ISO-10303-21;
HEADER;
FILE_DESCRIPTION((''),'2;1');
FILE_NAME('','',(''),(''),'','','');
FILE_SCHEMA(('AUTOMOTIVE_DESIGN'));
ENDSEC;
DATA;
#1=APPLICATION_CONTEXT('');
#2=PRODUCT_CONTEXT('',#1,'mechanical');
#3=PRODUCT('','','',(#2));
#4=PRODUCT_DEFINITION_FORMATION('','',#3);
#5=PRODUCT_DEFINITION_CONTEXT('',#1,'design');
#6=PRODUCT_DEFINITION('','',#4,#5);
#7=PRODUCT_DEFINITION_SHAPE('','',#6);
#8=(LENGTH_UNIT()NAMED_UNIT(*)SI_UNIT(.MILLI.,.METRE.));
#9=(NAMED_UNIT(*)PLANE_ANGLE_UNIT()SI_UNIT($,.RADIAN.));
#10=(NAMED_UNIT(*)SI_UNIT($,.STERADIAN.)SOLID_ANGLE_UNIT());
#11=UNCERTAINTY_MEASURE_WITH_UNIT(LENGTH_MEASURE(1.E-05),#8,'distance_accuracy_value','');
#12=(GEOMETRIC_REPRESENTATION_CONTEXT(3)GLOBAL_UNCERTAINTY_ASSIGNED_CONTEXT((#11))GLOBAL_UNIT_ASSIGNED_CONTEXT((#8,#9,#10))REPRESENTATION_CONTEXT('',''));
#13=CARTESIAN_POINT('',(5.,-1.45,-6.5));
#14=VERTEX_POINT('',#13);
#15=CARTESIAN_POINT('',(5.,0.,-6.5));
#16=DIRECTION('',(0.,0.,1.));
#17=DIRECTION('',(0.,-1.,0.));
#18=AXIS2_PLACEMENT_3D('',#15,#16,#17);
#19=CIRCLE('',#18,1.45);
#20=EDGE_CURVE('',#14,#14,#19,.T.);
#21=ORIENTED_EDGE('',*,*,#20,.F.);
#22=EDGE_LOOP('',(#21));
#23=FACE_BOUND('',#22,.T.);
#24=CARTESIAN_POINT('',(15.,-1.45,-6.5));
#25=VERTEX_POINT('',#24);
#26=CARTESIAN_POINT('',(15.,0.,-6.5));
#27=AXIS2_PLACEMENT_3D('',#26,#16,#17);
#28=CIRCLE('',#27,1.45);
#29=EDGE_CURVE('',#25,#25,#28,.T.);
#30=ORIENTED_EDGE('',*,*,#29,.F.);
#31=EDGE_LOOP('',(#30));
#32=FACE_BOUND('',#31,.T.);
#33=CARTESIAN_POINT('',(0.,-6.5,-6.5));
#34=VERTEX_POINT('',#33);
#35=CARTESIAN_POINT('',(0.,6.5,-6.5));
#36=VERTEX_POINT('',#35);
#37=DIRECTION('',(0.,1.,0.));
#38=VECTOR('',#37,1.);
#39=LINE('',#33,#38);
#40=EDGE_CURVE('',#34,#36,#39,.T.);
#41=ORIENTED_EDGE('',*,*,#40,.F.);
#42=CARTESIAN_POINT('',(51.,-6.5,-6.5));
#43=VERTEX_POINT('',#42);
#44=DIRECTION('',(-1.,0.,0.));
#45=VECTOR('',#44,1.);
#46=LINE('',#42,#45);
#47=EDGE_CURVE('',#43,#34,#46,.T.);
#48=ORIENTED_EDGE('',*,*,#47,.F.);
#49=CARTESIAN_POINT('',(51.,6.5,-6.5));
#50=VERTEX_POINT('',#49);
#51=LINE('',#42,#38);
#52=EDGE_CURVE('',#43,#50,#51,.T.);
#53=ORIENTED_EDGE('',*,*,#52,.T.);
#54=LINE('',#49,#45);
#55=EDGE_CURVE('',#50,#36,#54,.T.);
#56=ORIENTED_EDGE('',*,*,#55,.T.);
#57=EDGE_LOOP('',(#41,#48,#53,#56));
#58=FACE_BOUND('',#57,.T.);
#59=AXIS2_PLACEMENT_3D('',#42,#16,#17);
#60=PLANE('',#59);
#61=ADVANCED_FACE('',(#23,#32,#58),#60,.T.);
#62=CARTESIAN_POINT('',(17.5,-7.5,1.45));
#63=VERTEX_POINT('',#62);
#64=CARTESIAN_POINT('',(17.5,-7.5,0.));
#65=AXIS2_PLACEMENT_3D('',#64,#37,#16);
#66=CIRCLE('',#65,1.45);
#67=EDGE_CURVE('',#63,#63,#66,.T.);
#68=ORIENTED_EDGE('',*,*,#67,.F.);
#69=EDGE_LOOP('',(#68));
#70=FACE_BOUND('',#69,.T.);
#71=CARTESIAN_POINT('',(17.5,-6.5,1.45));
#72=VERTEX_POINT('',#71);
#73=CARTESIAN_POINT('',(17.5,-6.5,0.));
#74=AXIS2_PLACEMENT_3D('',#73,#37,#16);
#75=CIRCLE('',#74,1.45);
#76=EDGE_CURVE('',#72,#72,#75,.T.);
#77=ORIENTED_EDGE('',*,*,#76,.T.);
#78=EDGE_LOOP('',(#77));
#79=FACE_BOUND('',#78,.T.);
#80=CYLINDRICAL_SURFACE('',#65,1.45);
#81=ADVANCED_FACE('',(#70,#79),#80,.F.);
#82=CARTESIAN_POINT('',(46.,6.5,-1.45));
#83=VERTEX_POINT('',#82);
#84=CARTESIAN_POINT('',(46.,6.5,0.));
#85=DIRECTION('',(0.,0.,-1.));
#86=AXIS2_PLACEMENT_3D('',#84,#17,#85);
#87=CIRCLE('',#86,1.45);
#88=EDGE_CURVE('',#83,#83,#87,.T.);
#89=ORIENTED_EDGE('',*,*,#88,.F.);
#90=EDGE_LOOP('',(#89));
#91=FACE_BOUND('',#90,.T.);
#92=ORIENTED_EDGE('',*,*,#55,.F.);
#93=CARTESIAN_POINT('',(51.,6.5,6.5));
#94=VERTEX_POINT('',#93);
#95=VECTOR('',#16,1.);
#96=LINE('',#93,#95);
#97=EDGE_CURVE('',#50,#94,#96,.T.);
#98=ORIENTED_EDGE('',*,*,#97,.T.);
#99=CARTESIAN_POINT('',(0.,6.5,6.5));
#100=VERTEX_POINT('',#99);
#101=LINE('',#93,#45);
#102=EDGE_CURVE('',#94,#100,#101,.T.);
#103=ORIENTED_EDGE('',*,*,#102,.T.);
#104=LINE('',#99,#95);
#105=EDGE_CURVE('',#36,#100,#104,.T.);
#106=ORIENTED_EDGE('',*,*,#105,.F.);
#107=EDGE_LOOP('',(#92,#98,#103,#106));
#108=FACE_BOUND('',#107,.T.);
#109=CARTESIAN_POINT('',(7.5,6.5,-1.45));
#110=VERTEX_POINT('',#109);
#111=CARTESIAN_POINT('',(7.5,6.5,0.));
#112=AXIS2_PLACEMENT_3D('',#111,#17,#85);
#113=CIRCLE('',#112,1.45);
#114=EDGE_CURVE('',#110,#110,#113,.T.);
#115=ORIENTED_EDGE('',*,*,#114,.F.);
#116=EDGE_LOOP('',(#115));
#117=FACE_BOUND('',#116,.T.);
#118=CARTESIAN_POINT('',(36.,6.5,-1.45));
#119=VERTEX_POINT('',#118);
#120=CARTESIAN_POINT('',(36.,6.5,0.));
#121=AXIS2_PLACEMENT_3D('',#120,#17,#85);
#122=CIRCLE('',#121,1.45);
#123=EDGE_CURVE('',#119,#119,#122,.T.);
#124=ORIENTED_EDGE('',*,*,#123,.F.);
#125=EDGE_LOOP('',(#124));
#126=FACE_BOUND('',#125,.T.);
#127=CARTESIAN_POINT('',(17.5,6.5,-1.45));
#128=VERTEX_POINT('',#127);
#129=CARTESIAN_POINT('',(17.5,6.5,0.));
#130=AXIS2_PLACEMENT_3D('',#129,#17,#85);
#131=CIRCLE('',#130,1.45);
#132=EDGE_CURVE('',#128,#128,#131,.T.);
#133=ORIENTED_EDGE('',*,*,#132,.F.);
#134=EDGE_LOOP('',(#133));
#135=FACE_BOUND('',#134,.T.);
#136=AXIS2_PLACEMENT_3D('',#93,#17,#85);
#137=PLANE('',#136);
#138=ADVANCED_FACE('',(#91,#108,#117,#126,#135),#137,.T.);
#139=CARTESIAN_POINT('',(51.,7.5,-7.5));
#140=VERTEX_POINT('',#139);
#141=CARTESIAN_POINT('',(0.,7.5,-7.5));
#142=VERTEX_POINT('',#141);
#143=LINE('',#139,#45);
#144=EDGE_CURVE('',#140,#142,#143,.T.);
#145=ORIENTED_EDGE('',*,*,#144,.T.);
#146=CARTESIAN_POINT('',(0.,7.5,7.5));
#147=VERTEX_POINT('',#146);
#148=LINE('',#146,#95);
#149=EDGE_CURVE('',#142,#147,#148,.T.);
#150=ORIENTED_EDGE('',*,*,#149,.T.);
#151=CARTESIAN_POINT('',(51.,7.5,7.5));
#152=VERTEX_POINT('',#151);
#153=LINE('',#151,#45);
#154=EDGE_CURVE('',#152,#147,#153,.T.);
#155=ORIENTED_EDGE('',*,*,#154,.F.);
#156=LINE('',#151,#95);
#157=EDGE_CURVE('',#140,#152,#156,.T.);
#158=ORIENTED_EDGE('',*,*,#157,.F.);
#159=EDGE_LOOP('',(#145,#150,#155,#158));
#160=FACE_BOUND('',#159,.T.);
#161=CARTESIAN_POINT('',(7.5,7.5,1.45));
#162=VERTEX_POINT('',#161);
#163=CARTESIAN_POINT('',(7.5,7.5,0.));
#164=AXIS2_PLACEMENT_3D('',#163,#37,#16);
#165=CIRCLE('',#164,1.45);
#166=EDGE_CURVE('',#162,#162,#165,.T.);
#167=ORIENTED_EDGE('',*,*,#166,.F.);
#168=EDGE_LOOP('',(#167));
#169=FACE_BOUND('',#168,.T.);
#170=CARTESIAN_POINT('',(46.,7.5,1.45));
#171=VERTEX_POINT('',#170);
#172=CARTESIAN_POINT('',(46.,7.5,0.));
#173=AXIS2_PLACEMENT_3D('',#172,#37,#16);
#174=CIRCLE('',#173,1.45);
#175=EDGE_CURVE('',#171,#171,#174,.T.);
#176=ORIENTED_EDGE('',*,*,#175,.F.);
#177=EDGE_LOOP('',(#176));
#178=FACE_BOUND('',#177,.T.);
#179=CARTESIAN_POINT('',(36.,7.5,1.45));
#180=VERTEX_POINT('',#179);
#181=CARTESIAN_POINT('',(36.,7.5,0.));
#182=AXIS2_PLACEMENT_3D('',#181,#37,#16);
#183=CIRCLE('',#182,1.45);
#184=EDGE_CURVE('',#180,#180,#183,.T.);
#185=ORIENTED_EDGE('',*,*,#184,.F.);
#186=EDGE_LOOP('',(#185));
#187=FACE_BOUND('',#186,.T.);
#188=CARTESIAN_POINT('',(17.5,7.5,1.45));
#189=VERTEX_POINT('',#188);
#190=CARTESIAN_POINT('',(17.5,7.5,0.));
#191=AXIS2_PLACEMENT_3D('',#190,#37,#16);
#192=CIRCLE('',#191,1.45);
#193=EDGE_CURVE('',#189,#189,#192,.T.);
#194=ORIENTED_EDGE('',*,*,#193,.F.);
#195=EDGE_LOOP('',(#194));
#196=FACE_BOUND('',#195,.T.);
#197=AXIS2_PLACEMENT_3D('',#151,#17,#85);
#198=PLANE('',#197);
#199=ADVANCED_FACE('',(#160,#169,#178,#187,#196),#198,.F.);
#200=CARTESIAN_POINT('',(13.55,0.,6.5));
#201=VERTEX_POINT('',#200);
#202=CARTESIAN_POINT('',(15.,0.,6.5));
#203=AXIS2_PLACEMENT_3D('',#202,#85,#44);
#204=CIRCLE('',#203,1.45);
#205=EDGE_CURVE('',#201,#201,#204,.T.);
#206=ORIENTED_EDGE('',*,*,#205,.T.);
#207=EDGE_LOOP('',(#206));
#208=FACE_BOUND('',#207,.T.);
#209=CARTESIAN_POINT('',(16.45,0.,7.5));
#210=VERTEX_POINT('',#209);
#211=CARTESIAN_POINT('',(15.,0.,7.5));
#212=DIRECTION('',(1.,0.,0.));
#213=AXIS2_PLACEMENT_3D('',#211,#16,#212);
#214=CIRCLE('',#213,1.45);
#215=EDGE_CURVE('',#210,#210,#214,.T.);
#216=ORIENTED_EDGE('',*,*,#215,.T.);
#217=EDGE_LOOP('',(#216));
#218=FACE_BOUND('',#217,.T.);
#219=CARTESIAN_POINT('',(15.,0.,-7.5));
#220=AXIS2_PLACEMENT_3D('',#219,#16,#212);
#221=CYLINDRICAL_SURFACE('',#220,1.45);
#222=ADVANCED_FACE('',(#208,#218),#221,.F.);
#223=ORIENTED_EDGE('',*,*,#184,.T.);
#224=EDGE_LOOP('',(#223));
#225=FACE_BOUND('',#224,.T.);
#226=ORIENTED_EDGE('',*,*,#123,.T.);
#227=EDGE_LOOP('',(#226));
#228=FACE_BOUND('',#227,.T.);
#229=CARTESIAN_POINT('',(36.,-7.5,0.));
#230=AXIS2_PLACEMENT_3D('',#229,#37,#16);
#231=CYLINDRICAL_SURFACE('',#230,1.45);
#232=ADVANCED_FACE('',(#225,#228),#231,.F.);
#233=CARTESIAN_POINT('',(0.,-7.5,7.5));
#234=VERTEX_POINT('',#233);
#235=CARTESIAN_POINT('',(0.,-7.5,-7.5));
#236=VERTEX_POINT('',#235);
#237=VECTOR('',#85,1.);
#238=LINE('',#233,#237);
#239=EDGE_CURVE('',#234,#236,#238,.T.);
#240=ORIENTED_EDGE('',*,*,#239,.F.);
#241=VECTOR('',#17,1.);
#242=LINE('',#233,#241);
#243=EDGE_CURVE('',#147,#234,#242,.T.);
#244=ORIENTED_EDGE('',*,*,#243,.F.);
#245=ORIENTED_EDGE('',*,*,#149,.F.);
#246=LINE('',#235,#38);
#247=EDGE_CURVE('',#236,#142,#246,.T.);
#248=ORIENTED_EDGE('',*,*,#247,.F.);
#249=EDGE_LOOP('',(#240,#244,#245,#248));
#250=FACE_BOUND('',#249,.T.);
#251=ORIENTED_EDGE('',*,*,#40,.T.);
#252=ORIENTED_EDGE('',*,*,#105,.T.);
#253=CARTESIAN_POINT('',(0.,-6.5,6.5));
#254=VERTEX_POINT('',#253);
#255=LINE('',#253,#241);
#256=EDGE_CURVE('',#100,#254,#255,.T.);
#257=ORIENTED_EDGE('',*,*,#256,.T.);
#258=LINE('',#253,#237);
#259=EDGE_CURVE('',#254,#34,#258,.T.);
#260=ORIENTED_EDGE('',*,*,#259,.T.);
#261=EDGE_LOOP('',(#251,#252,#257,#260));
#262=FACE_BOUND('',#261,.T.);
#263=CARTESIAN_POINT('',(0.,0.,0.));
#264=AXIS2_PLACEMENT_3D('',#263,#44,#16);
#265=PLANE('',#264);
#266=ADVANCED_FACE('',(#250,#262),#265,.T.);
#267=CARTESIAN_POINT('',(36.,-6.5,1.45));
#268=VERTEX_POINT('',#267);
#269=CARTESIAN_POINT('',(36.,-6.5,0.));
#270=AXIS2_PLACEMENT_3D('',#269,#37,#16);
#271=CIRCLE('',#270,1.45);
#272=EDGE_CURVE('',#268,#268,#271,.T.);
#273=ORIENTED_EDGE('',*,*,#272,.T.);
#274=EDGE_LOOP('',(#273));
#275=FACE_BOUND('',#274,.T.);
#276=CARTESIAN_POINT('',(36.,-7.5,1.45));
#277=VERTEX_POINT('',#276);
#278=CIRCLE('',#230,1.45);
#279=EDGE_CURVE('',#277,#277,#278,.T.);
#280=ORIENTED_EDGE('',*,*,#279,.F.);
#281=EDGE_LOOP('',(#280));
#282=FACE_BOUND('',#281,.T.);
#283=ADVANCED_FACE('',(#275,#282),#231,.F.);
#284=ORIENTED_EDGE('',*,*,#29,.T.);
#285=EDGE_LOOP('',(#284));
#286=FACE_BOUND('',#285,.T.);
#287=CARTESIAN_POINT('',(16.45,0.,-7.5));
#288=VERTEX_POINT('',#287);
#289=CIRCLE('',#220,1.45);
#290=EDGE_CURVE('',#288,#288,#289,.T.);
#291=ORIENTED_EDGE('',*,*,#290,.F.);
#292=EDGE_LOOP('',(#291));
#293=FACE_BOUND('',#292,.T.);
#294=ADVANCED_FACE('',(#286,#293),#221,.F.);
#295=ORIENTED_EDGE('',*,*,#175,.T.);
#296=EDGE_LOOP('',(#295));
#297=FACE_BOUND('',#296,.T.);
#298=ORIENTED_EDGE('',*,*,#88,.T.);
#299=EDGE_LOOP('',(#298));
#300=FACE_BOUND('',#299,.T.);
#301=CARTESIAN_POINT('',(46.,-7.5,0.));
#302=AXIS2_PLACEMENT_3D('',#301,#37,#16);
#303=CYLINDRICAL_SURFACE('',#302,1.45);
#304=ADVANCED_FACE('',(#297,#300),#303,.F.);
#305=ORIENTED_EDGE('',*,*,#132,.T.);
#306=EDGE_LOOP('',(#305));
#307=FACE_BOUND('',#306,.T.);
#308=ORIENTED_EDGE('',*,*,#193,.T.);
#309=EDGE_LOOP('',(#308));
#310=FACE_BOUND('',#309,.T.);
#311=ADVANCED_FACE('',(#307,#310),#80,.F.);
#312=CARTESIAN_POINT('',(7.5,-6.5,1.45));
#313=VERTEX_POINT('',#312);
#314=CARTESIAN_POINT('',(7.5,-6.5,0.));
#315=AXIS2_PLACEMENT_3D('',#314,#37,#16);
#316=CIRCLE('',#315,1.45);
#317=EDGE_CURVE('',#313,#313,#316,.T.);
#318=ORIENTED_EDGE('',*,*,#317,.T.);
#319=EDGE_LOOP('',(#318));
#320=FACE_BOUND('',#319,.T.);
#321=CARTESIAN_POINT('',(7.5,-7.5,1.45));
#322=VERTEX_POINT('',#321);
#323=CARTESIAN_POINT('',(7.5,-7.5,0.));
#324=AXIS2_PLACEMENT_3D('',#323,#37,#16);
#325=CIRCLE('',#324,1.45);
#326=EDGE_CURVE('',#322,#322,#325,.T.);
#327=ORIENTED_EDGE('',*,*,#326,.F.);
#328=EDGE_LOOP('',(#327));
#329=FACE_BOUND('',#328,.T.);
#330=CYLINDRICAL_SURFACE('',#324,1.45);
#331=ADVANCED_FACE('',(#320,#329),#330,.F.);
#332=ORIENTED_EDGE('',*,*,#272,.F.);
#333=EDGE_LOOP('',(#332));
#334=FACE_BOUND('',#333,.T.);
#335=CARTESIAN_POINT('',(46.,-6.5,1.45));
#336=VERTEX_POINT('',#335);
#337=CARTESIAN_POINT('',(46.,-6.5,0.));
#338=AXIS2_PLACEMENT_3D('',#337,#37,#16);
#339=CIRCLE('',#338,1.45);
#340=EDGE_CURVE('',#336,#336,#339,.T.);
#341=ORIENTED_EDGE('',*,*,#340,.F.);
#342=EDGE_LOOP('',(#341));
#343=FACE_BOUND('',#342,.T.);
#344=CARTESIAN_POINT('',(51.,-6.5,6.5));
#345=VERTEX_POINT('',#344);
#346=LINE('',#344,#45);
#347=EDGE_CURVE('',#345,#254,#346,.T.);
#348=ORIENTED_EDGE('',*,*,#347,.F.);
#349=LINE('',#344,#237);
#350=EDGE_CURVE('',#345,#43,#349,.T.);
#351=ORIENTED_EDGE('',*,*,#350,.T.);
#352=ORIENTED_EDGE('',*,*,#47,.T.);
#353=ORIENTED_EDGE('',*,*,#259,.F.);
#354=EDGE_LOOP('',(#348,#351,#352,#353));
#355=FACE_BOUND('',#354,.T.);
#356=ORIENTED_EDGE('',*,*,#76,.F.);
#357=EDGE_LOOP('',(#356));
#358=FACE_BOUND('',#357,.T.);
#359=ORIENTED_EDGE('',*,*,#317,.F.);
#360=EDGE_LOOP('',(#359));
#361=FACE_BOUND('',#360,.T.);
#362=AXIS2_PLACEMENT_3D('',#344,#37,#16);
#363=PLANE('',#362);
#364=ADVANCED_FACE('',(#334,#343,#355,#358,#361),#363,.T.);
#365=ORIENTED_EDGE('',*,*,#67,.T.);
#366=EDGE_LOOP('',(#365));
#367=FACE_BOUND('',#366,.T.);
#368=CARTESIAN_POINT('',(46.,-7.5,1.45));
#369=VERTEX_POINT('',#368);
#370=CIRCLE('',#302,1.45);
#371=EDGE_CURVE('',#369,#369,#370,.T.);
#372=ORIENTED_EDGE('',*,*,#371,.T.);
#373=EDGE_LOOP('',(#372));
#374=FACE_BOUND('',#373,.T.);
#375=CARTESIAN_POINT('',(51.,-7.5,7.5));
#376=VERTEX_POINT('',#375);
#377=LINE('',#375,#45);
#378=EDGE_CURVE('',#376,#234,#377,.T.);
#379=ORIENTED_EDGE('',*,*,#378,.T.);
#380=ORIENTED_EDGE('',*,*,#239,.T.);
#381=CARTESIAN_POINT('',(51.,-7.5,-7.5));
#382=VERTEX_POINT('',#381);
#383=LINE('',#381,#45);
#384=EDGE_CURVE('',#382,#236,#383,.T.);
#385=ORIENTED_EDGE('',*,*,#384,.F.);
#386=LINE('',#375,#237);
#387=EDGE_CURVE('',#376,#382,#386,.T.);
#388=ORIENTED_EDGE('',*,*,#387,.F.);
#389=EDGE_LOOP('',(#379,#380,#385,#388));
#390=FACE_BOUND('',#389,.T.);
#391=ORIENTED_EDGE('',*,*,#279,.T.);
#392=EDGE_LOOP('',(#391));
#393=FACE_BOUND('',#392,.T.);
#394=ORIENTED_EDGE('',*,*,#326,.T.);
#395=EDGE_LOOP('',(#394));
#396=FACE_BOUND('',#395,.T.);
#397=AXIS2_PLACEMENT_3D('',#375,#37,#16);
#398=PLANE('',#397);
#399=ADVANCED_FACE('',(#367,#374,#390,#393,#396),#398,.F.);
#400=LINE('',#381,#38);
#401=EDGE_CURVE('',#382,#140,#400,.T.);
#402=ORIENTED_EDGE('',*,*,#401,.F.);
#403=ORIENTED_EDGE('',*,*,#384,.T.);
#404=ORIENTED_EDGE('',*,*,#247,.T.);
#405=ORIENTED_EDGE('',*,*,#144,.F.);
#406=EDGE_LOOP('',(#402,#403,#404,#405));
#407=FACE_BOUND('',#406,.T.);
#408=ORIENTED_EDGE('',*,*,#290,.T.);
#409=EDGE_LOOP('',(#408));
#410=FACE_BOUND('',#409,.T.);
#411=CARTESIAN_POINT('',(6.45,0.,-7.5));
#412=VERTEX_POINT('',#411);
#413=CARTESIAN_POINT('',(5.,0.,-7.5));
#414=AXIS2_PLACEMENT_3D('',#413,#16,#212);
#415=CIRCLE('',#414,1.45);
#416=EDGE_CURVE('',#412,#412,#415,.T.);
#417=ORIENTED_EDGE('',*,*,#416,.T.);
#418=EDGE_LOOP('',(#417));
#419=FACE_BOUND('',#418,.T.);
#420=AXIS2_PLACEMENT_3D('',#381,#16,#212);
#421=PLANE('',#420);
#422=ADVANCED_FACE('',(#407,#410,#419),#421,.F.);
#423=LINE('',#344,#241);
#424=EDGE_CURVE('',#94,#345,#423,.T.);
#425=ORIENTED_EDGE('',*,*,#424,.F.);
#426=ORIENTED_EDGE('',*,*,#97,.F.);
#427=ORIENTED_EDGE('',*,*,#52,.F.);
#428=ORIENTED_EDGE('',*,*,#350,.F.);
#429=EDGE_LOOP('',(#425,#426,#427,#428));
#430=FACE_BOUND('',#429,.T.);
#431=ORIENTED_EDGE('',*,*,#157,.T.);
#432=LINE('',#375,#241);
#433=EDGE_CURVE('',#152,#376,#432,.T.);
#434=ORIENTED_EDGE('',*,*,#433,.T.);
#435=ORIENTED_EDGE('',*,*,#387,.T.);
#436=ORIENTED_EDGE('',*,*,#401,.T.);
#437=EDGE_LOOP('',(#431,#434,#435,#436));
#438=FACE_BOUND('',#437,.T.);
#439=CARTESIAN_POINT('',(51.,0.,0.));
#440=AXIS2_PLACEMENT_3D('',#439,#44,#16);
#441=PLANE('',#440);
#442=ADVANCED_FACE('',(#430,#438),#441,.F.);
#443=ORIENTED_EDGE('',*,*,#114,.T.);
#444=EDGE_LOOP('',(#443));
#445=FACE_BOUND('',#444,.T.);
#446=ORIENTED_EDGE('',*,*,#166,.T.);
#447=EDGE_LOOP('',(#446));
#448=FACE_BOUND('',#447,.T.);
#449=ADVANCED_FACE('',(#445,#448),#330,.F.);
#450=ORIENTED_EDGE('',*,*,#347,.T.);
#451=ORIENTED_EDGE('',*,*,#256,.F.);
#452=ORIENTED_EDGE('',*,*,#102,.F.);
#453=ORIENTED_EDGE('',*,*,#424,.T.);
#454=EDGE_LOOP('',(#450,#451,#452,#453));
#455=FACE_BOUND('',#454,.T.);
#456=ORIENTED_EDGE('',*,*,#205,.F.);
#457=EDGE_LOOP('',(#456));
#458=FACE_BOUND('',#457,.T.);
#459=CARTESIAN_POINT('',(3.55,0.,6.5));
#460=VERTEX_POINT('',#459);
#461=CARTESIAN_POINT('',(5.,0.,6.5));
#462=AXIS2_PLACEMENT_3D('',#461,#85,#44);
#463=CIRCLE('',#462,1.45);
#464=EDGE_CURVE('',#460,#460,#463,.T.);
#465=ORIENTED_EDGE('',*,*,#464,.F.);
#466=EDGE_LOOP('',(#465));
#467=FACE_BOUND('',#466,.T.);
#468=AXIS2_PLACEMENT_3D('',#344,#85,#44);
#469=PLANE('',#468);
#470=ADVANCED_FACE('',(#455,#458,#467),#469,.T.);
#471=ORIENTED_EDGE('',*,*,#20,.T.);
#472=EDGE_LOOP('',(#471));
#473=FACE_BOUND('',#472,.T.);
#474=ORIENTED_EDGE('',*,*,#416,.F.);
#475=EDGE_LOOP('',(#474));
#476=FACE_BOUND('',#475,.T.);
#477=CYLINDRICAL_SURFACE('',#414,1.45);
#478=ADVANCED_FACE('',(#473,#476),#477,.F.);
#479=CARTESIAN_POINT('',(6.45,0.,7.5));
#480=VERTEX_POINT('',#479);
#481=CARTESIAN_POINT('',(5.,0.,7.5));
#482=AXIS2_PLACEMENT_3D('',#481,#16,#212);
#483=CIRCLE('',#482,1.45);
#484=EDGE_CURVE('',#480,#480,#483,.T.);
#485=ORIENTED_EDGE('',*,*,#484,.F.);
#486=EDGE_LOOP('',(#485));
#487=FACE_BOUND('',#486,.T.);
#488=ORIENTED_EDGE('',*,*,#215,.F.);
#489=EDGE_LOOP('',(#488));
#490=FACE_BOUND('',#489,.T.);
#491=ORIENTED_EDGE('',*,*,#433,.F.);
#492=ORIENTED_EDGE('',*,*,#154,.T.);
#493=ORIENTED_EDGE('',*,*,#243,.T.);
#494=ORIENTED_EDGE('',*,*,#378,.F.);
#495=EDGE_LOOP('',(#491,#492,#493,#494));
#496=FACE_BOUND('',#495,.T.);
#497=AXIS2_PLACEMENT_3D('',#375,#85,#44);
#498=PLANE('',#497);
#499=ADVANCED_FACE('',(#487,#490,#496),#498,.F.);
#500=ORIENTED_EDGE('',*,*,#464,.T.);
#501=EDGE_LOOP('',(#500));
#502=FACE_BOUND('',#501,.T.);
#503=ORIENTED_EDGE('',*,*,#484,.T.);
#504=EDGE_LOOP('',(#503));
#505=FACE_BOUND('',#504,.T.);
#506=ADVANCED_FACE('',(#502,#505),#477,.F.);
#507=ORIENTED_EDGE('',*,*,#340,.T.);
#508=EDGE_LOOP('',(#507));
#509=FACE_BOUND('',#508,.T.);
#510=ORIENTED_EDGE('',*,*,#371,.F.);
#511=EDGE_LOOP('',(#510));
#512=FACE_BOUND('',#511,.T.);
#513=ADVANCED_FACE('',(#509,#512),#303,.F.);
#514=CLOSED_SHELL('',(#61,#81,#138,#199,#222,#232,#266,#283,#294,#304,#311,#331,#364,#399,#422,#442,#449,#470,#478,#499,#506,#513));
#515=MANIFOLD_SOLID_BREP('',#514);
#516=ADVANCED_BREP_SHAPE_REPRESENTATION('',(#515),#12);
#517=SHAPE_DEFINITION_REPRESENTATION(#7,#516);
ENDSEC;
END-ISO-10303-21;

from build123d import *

# Parameters (mm, degrees)
SKETCH_1_W          = 15
SKETCH_1_H          = 15
SKETCH_1_W_2        = 13
SKETCH_1_H_2        = 13
EXTRUDE_1_DEPTH     = 51
SKETCH_2_R          = 1.45
CUT_EXTRUDE_1_DEPTH = 54.686590505
SKETCH_3_R          = 1.45
CUT_EXTRUDE_2_DEPTH = 54.686590505


with BuildPart() as part:
    # 草图1 → 凸台-拉伸1 (new body)
    with BuildSketch(Plane(origin=(0, 0, 0), x_dir=(0, 0, -1), z_dir=(1, 0, 0))):
        Rectangle(SKETCH_1_W, SKETCH_1_H)
        Rectangle(SKETCH_1_W_2, SKETCH_1_H_2, mode=Mode.SUBTRACT)
    extrude(amount=EXTRUDE_1_DEPTH)

    # 草图2 → 切除-拉伸1 (cut, through all)
    with BuildSketch(Plane(origin=(0, 7.5, 0), x_dir=(1, 0, 0), z_dir=(0, 1, 0))):
        with Locations(Location((7.5, 0, 0), (0, 0, 270))):
            Circle(SKETCH_2_R)
        with Locations(Location((17.5, 0, 0), (0, 0, 270))):
            Circle(SKETCH_2_R)
        with Locations(Location((46, 0, 0), (0, 0, 270))):
            Circle(SKETCH_2_R)
        with Locations(Location((36, 0, 0), (0, 0, 270))):
            Circle(SKETCH_2_R)
    extrude(amount=-CUT_EXTRUDE_1_DEPTH, mode=Mode.SUBTRACT)

    # 草图3 → 切除-拉伸2 (cut, through all)
    with BuildSketch(Plane.XY.offset(7.5)):
        with Locations((5, 0)):
            Circle(SKETCH_3_R)
        with Locations((15, 0)):
            Circle(SKETCH_3_R)
    extrude(amount=-CUT_EXTRUDE_2_DEPTH, mode=Mode.SUBTRACT)


solid = part.part
